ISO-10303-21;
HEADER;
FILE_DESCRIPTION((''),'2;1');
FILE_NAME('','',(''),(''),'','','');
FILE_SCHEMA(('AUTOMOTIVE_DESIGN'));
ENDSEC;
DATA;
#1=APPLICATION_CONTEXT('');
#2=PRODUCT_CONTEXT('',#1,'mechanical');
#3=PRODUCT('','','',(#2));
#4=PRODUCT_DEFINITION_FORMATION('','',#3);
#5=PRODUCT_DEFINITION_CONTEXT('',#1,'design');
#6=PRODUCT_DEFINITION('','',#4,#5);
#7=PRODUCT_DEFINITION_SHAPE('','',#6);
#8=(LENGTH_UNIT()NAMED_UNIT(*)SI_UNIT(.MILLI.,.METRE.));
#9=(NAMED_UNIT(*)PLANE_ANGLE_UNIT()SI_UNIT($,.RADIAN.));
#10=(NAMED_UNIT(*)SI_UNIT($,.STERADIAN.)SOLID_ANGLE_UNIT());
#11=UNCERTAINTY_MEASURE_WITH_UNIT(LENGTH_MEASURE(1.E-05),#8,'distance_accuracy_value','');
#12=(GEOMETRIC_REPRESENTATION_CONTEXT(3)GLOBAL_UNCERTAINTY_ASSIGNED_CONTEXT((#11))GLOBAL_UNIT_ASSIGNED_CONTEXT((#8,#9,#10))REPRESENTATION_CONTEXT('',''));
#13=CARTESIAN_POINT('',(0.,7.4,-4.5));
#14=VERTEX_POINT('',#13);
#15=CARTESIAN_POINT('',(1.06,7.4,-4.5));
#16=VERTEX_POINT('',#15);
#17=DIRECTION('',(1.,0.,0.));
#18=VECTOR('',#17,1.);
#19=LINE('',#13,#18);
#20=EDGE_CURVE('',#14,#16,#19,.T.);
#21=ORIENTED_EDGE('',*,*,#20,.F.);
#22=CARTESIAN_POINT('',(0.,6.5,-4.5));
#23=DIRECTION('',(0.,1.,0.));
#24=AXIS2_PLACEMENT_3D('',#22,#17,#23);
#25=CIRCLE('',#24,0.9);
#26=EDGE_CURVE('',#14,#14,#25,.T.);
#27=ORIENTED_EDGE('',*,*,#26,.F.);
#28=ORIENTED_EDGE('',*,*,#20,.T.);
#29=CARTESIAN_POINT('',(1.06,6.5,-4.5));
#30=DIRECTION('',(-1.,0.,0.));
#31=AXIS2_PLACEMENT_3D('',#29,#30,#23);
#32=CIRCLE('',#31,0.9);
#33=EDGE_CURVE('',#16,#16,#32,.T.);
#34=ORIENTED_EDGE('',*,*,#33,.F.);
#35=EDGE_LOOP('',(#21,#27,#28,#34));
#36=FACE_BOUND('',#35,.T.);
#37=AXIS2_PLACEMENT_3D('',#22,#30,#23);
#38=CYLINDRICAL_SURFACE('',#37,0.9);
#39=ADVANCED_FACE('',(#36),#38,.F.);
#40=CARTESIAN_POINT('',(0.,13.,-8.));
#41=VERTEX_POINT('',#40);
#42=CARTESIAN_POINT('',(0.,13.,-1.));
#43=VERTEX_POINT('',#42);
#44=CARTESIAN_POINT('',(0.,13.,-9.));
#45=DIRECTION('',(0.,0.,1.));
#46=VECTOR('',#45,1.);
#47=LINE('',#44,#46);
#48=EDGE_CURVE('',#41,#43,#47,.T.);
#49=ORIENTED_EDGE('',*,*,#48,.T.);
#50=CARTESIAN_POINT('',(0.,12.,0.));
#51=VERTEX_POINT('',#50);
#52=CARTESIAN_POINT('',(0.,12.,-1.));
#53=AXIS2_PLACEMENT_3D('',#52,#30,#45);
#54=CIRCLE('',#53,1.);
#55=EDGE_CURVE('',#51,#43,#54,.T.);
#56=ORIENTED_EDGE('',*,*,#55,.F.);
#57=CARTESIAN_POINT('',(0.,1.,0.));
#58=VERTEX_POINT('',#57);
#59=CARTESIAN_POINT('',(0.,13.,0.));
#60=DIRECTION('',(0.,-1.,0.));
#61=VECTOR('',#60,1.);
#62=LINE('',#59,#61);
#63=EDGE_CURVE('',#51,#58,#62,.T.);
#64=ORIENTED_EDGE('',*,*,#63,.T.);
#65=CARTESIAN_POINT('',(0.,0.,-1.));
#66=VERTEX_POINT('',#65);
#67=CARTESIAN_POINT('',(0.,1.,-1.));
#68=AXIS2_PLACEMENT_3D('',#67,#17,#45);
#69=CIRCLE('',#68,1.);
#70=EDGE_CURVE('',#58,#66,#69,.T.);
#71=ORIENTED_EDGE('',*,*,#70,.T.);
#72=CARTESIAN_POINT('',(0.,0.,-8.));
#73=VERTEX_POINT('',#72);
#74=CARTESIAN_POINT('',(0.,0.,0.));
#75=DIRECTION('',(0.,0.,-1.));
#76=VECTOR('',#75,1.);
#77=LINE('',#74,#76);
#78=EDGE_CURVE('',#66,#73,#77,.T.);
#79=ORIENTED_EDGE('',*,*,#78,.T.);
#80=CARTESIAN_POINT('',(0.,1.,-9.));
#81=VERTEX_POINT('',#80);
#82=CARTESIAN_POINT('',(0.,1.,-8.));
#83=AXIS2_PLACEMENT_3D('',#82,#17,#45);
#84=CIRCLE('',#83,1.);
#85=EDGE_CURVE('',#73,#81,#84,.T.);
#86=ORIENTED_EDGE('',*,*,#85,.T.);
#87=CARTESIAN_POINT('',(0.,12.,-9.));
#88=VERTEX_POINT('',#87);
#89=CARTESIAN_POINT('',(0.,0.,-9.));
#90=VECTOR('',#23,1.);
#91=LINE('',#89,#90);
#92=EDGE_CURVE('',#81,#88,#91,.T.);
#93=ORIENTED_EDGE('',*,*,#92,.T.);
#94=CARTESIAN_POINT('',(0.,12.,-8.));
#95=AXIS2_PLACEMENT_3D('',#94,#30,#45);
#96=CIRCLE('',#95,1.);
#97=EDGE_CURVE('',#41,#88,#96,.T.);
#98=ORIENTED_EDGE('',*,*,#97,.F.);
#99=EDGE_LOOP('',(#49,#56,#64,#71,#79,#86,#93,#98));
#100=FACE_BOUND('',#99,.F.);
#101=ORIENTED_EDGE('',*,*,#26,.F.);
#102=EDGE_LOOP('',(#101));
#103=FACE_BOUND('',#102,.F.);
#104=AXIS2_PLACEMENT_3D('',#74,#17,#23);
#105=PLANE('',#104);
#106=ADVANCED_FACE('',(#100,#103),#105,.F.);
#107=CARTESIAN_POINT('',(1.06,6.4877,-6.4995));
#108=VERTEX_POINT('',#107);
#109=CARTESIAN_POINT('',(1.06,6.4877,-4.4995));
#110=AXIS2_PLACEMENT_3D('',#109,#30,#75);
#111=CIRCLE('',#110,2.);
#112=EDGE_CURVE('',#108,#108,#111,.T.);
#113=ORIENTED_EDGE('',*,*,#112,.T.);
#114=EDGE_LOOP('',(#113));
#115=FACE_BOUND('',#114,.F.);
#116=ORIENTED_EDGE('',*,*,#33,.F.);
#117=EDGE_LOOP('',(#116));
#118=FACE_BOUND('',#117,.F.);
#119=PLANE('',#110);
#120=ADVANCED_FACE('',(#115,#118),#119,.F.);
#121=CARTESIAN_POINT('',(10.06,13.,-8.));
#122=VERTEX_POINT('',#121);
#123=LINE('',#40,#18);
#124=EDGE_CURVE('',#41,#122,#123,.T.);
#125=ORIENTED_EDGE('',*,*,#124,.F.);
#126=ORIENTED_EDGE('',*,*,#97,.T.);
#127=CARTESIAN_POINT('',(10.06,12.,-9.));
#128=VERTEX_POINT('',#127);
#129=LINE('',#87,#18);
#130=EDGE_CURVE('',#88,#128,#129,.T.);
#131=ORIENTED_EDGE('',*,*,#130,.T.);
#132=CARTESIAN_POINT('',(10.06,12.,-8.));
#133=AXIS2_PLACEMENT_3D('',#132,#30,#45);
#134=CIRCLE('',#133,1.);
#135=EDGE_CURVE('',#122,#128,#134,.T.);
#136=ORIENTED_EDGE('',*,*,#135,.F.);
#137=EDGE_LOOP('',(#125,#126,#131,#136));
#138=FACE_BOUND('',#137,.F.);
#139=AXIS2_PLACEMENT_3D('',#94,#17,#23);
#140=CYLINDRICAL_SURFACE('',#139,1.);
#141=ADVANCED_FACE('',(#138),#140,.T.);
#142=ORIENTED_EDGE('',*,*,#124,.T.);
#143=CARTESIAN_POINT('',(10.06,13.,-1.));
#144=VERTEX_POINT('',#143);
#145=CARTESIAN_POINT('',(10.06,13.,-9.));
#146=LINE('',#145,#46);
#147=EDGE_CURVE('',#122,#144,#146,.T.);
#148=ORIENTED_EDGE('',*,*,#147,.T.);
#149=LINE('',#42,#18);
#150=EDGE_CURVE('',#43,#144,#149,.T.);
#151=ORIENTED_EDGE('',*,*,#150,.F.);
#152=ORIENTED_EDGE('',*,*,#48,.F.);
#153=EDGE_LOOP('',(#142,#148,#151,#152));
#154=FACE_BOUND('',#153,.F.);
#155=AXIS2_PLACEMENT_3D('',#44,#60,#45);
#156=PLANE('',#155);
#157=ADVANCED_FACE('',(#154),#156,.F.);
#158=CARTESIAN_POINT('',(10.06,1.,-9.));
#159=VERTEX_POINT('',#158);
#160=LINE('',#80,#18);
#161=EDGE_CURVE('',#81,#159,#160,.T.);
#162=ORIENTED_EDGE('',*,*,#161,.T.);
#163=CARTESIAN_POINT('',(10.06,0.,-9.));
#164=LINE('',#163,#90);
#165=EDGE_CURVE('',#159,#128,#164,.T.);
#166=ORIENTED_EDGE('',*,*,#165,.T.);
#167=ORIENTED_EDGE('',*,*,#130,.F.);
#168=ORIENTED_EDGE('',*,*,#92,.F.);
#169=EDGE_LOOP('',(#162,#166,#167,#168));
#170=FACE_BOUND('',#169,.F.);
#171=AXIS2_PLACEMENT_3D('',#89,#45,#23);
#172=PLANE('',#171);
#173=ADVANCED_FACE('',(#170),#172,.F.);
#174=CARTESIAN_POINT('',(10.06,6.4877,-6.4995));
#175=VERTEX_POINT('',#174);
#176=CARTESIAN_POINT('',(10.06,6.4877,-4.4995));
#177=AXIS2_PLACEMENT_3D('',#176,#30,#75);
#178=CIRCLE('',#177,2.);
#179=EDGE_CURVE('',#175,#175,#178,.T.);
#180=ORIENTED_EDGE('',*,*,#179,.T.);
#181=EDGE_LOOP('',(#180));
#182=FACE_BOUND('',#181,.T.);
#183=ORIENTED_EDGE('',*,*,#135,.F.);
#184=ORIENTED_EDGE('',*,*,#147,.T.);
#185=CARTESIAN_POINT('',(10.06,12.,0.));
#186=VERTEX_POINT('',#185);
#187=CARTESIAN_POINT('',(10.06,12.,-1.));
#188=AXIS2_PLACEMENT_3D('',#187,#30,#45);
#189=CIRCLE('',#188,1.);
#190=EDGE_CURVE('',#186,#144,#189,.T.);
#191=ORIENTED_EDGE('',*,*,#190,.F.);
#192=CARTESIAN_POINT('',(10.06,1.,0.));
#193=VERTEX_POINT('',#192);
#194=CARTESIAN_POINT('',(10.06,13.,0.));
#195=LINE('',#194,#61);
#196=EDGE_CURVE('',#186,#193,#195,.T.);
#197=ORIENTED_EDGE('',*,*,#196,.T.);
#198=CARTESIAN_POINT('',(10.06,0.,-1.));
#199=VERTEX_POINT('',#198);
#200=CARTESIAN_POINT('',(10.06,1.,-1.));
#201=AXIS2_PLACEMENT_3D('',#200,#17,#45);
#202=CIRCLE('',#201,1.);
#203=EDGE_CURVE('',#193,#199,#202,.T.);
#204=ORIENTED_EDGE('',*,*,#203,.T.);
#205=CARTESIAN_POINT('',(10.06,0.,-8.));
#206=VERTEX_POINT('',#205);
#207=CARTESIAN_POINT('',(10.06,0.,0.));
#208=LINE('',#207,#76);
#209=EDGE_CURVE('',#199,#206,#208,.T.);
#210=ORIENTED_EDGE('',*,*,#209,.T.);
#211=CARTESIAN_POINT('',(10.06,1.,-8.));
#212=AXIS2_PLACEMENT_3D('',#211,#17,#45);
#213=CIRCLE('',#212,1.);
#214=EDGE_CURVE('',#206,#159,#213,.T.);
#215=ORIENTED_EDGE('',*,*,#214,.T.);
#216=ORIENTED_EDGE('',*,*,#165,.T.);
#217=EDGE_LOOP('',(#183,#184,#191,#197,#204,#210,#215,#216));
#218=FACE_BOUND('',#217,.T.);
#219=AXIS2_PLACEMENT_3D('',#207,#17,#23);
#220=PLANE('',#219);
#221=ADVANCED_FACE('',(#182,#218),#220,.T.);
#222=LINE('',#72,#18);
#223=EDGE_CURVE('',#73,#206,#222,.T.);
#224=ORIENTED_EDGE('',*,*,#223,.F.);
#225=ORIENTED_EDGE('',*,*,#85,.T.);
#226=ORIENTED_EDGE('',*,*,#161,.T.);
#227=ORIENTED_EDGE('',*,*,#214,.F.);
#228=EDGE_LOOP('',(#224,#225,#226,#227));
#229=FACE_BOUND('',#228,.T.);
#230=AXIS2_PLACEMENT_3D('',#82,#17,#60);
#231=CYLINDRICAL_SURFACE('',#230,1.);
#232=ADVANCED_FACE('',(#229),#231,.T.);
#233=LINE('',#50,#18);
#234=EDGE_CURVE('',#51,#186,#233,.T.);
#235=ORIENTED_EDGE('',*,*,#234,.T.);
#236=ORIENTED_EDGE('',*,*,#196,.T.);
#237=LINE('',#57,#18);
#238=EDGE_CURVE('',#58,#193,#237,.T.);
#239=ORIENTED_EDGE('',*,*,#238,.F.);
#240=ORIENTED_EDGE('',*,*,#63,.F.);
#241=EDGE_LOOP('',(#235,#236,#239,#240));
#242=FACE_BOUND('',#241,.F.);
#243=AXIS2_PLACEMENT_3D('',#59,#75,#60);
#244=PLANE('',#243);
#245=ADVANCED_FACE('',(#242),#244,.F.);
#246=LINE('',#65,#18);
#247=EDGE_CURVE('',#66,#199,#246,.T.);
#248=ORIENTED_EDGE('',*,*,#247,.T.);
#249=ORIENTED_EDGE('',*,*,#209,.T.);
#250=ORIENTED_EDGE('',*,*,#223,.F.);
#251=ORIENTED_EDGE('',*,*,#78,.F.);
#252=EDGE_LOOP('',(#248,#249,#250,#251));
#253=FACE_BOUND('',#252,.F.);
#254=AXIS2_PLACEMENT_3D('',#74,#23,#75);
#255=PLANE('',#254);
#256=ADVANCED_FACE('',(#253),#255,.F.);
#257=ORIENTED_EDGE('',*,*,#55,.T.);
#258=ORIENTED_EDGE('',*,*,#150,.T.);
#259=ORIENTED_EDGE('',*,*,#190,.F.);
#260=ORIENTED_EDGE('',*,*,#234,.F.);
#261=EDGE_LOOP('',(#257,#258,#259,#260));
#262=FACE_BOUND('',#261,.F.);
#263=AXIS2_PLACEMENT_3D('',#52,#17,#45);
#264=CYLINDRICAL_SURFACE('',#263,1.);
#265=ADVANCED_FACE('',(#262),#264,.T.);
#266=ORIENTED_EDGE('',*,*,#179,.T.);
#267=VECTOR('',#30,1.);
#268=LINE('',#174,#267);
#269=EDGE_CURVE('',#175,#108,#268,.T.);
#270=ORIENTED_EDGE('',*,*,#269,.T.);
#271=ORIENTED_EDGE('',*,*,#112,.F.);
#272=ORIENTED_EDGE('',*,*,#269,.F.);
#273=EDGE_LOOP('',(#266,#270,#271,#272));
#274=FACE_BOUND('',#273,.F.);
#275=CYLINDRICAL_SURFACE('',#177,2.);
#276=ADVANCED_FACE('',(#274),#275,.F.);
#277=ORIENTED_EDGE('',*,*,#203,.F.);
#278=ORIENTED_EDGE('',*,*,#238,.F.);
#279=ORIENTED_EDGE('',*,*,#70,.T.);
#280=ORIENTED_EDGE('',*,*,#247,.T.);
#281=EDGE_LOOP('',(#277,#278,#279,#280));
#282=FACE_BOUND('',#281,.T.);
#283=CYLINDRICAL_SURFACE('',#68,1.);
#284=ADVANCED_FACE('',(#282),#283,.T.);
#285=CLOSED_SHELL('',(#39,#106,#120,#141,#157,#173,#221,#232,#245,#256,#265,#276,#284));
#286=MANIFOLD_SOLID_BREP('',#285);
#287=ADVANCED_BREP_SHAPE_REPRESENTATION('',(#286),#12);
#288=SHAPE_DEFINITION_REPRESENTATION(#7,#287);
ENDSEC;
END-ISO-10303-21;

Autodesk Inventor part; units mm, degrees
ref_plane "YZ Plane" through (0, 0, 0) normal (1, 0, 0) x (0, 1, 0)
ref_plane "XZ Plane" through (0, 0, 0) normal (0, 1, 0) x (-1, 0, 0)
ref_plane "XY Plane" through (0, 0, 0) normal (0, 0, 1) x (1, 0, 0)
sketch "Boceto3" plane through (0, 0, 0) normal (1, 0, 0) x (0, 1, 0)
  line L0 (0, 0) -> (0, -9)
  line L1 (0, -9) -> (13, -9)
  line L2 (13, -9) -> (13, 0)
  line L3 (13, 0) -> (0, 0)
  circle A0 centre (6.5, -4.5) radius 0.9
  dimension "d3" = 9
  dimension "d4" = 13
  dimension "d7" = 1.8
extrude "Extrusión1" add sketch "Boceto3" along normal blind 10.06
sketch "Boceto4" plane through (10.06, 0, 0) normal (1, 0, 0) x (0, 0, -1)
  point P0 (0, 0)
  point P1 (4.4995, 6.4877)
hole "Agujero1" at (10.06, 6.4877, -4.4995) direction (-1, 0, 0) diameter 4 depth 9
fillet "Empalme1" radius 1 4 edges at (5.03, 13, 0) (5.03, 13, -9) (5.03, 0, 0) (5.03, 0, -9)
properties part number "Soporte placa B1 - B2"
